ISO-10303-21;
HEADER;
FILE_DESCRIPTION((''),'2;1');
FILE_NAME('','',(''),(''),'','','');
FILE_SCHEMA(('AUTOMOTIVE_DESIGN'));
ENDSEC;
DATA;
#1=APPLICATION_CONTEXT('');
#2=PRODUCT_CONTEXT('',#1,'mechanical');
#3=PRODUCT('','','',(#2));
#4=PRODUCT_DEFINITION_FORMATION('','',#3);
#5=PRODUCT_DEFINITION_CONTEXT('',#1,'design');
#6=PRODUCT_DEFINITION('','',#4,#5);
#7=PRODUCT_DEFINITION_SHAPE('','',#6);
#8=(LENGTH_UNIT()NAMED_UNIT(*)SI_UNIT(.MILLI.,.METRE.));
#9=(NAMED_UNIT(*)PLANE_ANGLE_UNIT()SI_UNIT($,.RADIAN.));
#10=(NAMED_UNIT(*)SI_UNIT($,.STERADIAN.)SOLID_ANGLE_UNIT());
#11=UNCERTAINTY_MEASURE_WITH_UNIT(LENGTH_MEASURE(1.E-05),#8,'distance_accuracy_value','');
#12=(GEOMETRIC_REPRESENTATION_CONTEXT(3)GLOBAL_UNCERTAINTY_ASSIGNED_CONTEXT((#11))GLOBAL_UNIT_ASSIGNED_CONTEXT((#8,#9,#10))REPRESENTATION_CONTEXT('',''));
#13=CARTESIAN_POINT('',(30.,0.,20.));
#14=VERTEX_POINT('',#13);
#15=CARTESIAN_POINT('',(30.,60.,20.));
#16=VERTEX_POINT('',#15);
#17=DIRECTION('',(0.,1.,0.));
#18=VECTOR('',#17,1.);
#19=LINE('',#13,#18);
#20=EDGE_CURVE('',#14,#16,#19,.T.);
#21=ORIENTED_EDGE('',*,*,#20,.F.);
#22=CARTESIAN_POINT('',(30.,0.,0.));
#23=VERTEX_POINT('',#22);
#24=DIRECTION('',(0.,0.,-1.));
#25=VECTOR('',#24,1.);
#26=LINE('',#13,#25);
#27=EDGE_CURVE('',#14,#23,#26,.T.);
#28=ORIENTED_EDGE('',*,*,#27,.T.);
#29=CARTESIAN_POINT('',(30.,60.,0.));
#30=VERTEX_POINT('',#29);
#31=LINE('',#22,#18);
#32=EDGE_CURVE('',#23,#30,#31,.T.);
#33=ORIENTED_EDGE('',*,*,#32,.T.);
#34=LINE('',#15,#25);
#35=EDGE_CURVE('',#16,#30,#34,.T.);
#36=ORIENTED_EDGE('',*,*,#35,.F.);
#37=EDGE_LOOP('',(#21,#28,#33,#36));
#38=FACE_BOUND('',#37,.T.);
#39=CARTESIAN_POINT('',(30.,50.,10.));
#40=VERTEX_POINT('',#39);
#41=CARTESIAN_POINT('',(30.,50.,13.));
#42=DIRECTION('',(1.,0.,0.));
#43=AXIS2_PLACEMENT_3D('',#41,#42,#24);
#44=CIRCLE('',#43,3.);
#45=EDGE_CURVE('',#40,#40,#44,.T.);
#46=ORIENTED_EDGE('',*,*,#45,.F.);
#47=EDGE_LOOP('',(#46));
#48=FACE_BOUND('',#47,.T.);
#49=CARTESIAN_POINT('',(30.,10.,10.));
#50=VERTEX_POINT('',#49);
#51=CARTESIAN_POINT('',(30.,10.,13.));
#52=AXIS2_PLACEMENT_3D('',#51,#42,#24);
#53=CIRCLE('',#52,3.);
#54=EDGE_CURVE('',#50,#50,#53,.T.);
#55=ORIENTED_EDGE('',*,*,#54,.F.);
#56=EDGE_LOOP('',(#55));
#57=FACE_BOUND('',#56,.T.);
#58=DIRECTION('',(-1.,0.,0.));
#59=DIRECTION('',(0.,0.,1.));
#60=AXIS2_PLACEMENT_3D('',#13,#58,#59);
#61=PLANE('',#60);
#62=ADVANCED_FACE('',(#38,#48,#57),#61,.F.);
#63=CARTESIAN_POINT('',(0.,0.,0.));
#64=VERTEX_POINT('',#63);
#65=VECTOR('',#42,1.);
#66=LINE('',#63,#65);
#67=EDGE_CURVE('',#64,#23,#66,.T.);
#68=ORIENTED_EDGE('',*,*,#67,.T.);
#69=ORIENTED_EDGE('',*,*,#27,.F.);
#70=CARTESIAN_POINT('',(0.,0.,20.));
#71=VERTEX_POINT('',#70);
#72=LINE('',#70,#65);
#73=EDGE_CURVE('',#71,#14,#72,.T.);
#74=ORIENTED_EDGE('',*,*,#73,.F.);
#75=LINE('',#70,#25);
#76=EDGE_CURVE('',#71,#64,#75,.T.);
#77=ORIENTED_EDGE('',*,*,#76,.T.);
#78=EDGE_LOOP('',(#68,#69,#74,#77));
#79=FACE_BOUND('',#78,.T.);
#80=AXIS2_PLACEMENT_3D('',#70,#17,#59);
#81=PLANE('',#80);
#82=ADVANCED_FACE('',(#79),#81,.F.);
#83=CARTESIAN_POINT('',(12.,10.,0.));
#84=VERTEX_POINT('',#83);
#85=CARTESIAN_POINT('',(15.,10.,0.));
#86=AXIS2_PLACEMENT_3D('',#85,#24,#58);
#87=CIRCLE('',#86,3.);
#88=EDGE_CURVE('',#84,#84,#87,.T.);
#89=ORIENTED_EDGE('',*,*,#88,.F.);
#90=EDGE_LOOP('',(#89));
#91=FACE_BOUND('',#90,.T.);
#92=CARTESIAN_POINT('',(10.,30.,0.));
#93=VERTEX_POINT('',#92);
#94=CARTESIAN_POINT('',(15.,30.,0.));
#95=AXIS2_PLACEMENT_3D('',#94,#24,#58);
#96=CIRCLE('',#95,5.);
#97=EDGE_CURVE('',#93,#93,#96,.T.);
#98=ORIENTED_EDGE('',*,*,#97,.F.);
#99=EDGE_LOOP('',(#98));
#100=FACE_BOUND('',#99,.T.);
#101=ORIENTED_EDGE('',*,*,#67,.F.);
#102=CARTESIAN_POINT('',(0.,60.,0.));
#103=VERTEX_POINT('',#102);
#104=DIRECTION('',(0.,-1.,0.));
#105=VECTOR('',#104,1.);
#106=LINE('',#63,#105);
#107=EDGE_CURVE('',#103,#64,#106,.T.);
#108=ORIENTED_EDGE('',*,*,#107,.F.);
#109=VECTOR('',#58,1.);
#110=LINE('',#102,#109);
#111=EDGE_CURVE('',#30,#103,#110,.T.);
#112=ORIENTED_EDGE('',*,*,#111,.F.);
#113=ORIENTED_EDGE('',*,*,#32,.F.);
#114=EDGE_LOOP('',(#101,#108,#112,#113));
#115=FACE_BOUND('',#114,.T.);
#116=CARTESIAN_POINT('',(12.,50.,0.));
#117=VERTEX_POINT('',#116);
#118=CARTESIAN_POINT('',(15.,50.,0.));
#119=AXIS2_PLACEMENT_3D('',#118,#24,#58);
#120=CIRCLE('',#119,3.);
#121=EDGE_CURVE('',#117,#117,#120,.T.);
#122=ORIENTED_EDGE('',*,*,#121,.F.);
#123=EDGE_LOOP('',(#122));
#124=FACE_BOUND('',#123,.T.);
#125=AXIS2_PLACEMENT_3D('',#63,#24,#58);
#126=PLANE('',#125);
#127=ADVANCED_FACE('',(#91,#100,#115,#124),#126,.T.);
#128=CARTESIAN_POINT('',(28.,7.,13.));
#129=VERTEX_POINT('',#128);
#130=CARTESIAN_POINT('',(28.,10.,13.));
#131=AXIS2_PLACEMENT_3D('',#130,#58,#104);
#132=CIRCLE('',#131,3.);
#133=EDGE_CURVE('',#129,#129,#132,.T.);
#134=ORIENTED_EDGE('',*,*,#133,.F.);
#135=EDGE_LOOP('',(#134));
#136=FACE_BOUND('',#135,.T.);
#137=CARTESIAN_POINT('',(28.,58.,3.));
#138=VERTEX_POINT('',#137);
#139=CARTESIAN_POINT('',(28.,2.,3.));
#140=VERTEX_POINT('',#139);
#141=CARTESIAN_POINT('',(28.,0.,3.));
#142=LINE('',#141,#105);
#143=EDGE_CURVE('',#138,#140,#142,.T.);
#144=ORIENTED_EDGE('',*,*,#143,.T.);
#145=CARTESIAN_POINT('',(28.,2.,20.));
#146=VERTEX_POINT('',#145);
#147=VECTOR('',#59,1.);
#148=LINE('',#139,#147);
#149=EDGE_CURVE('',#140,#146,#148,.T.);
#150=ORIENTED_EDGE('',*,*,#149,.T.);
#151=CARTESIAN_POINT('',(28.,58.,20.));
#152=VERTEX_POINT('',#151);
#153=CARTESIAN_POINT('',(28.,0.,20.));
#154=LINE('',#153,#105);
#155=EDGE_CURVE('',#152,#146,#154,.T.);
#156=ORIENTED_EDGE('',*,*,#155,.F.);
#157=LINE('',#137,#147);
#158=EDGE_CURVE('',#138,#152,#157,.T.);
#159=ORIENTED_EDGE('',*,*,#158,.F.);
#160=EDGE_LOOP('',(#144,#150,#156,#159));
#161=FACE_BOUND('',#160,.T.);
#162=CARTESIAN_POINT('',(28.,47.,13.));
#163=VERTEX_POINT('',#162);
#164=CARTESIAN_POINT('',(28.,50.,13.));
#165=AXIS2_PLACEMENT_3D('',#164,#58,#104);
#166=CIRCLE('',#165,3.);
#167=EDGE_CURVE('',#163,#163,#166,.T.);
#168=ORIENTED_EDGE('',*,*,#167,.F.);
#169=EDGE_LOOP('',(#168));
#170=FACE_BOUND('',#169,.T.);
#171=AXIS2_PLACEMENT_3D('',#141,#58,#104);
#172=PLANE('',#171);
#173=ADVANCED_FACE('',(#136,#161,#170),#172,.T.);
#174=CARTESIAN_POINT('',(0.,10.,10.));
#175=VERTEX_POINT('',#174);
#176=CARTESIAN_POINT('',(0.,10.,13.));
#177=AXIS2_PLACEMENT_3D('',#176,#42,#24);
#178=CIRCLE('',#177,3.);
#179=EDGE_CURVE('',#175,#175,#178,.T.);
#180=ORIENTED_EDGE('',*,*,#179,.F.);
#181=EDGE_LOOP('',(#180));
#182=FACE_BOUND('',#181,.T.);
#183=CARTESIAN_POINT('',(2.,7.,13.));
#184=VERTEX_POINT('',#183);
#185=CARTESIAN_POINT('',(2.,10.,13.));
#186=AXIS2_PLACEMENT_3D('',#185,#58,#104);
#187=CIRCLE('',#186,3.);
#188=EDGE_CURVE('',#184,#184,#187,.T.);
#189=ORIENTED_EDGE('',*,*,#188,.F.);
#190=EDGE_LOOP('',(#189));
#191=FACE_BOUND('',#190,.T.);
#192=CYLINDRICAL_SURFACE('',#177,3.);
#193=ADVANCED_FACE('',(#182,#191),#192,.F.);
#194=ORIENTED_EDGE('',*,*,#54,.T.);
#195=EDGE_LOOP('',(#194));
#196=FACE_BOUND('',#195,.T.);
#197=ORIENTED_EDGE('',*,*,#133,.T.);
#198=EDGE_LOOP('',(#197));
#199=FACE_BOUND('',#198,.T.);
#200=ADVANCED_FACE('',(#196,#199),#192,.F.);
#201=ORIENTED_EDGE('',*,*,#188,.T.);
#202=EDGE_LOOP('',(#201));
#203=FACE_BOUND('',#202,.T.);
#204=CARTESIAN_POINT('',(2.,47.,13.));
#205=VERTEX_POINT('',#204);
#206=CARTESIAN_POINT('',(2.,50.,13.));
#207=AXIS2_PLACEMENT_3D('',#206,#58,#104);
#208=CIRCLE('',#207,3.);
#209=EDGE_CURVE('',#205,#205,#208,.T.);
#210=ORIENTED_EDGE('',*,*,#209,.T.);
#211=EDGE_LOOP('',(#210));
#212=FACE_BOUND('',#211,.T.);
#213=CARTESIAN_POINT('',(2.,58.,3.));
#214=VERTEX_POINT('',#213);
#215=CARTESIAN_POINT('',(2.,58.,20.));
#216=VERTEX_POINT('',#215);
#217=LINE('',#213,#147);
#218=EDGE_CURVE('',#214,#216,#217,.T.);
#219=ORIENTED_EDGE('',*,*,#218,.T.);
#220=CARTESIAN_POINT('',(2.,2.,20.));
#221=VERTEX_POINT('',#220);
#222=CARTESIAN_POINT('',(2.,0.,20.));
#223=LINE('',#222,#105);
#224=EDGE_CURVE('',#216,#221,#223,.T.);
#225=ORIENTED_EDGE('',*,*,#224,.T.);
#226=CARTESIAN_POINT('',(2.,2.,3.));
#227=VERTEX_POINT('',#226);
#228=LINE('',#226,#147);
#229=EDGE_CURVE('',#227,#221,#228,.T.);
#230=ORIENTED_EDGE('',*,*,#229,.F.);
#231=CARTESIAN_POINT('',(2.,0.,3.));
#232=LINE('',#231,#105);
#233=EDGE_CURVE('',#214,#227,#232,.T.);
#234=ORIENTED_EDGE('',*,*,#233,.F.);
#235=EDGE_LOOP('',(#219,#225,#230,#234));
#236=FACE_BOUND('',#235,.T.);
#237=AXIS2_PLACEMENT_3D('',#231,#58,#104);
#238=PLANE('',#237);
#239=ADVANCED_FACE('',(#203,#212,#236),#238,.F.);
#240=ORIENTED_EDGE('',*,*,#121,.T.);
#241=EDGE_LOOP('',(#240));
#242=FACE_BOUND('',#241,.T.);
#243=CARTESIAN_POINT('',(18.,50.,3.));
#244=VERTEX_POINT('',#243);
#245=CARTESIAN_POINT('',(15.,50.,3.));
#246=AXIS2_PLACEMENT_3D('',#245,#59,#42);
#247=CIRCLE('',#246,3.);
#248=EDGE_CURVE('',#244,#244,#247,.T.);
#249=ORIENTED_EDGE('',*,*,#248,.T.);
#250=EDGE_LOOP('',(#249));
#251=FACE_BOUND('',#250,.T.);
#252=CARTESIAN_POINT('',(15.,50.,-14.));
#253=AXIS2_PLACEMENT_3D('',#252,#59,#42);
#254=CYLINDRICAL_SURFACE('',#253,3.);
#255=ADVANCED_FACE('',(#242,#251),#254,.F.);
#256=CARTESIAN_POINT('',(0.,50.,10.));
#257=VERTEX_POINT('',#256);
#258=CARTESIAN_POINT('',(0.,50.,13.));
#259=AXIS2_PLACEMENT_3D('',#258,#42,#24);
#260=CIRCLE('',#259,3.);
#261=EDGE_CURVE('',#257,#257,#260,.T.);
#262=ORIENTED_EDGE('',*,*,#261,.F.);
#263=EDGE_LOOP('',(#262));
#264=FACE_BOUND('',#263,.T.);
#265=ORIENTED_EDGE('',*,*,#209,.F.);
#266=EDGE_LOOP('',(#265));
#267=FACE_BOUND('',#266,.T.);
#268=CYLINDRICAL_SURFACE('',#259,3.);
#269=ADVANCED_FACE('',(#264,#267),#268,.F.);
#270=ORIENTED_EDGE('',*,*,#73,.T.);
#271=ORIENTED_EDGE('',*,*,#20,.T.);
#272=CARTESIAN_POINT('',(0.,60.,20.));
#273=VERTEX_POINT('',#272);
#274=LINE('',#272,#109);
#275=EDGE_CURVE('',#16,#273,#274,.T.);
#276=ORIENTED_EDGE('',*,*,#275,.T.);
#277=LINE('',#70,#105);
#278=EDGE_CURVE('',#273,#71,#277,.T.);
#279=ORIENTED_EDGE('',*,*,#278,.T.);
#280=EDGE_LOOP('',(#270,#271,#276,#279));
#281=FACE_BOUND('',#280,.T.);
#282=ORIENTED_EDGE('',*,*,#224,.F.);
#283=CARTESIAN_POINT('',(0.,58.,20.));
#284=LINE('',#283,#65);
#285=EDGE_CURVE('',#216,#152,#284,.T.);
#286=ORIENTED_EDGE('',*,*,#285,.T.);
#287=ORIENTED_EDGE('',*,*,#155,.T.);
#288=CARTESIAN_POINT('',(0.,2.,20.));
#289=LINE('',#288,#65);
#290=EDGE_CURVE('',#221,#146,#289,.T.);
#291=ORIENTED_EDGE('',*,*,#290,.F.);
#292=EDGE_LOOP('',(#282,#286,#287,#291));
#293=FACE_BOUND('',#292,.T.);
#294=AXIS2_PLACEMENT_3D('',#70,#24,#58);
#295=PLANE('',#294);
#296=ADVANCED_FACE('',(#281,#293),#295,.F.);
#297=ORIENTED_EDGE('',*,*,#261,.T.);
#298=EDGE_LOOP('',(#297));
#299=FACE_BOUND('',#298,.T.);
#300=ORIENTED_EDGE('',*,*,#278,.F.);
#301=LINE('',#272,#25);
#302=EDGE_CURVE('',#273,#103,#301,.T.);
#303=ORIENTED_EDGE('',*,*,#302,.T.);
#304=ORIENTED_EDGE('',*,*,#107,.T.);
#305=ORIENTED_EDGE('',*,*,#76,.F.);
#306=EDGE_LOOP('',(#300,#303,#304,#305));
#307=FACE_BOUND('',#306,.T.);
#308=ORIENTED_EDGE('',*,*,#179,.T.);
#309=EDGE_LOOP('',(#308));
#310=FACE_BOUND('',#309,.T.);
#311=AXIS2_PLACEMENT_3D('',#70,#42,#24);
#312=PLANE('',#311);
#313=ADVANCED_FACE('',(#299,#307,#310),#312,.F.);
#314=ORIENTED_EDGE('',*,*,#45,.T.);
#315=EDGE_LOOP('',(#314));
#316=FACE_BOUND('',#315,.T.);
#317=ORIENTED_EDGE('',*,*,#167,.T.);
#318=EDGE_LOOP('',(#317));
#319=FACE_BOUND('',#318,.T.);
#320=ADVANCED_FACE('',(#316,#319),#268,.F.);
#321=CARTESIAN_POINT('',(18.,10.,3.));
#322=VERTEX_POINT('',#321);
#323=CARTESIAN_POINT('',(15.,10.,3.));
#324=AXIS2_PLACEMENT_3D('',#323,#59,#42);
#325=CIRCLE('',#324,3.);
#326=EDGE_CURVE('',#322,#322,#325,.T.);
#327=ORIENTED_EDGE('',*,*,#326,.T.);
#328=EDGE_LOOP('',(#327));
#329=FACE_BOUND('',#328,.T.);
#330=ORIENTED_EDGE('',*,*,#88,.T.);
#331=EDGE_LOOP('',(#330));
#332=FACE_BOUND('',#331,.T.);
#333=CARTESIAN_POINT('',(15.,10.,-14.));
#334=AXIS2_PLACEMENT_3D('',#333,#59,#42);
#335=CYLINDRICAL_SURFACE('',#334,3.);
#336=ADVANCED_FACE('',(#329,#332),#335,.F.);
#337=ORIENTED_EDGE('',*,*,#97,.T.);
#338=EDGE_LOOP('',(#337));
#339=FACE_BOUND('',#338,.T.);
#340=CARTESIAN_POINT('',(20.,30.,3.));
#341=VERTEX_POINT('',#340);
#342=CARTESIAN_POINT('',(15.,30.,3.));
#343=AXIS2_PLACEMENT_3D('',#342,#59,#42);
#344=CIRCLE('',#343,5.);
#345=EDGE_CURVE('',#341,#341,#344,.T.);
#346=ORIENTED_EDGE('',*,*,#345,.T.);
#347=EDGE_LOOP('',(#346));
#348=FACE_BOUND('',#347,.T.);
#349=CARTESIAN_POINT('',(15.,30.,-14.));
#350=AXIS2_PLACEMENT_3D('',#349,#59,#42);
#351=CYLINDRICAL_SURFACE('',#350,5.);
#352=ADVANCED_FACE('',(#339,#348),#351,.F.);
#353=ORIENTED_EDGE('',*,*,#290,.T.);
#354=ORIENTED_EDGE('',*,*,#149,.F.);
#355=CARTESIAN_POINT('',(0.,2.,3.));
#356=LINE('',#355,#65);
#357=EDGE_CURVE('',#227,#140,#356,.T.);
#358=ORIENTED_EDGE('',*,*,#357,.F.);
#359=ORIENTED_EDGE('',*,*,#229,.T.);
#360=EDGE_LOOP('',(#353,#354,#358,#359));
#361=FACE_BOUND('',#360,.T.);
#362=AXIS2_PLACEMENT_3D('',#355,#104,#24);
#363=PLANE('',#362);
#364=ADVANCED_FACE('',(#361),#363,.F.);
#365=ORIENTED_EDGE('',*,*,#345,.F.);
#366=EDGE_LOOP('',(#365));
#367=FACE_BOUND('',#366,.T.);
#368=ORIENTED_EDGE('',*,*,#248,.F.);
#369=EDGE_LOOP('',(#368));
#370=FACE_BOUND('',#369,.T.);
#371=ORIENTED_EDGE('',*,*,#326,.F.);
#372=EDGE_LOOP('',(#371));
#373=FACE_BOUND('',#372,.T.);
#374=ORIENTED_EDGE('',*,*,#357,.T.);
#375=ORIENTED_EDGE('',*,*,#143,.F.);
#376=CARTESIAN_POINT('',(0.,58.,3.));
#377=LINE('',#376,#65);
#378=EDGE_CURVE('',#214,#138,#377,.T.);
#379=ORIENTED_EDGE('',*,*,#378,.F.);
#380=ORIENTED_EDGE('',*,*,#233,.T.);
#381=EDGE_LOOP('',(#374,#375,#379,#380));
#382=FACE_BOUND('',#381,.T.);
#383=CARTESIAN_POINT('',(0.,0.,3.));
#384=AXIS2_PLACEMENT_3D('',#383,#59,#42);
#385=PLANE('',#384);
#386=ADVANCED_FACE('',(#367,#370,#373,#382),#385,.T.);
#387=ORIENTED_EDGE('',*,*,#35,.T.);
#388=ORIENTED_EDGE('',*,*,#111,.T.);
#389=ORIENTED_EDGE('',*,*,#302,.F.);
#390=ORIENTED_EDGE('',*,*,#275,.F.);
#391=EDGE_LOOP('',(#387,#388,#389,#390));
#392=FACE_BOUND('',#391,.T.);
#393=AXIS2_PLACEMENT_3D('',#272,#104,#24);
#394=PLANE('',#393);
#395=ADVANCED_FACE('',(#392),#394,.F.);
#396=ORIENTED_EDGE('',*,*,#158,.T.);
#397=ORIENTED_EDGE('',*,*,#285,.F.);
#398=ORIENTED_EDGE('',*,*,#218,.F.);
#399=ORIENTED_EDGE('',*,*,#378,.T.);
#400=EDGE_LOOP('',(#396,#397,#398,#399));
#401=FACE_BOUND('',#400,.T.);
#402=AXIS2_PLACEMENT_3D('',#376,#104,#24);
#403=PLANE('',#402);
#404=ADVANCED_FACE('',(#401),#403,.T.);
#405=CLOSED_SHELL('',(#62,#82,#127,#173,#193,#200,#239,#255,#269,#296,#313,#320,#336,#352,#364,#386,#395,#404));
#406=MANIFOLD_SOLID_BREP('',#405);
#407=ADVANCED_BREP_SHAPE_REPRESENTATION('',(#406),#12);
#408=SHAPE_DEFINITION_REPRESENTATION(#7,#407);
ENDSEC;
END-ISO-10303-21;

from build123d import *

# Parameters (mm, degrees)
ESBO_O1_W                = 30
ESBO_O1_H                = 60
RESSALTO_EXTRUS_O1_DEPTH = 20
CORTE_EXTRUS_O1_DEPTH    = 17
ESBO_O7_R                = 3
ESBO_O7_R_2              = 5
CORTE_EXTRUS_O2_DEPTH    = 17
ESBO_O9_R                = 3
CORTE_EXTRUS_O4_DEPTH    = 71


with BuildPart() as part:
    # Esboço1 → Ressalto-extrusão1 (new body)
    with BuildSketch(Plane.XY):
        with Locations((15, 30)):
            Rectangle(ESBO_O1_W, ESBO_O1_H)
    extrude(amount=RESSALTO_EXTRUS_O1_DEPTH)

    # Esboço6 → Corte-extrusão1 (cut)
    with BuildSketch(Plane.XY.offset(20)):
        Polygon((28, 58), (15, 58), (2, 58), (2, 2), (15, 2), (28, 2), align=None)
    extrude(amount=-CORTE_EXTRUS_O1_DEPTH, mode=Mode.SUBTRACT)

    # Esboço7 → Corte-extrusão2 (cut)
    with BuildSketch(Plane.XY.offset(3)):
        with Locations((15, 10)):
            Circle(ESBO_O7_R)
        with Locations((15, 50)):
            Circle(ESBO_O7_R)
        with Locations((15, 30)):
            Circle(ESBO_O7_R_2)
    extrude(amount=-CORTE_EXTRUS_O2_DEPTH, mode=Mode.SUBTRACT)

    # Esboço9 → Corte-extrusão4 (cut, through all)
    with BuildSketch(Plane(origin=(30, 0, 0), x_dir=(0, 0, -1), z_dir=(1, 0, 0))):
        with Locations((-13, 50)):
            Circle(ESBO_O9_R)
        with Locations((-13, 10)):
            Circle(ESBO_O9_R)
    extrude(amount=-CORTE_EXTRUS_O4_DEPTH, mode=Mode.SUBTRACT)


solid = part.part
